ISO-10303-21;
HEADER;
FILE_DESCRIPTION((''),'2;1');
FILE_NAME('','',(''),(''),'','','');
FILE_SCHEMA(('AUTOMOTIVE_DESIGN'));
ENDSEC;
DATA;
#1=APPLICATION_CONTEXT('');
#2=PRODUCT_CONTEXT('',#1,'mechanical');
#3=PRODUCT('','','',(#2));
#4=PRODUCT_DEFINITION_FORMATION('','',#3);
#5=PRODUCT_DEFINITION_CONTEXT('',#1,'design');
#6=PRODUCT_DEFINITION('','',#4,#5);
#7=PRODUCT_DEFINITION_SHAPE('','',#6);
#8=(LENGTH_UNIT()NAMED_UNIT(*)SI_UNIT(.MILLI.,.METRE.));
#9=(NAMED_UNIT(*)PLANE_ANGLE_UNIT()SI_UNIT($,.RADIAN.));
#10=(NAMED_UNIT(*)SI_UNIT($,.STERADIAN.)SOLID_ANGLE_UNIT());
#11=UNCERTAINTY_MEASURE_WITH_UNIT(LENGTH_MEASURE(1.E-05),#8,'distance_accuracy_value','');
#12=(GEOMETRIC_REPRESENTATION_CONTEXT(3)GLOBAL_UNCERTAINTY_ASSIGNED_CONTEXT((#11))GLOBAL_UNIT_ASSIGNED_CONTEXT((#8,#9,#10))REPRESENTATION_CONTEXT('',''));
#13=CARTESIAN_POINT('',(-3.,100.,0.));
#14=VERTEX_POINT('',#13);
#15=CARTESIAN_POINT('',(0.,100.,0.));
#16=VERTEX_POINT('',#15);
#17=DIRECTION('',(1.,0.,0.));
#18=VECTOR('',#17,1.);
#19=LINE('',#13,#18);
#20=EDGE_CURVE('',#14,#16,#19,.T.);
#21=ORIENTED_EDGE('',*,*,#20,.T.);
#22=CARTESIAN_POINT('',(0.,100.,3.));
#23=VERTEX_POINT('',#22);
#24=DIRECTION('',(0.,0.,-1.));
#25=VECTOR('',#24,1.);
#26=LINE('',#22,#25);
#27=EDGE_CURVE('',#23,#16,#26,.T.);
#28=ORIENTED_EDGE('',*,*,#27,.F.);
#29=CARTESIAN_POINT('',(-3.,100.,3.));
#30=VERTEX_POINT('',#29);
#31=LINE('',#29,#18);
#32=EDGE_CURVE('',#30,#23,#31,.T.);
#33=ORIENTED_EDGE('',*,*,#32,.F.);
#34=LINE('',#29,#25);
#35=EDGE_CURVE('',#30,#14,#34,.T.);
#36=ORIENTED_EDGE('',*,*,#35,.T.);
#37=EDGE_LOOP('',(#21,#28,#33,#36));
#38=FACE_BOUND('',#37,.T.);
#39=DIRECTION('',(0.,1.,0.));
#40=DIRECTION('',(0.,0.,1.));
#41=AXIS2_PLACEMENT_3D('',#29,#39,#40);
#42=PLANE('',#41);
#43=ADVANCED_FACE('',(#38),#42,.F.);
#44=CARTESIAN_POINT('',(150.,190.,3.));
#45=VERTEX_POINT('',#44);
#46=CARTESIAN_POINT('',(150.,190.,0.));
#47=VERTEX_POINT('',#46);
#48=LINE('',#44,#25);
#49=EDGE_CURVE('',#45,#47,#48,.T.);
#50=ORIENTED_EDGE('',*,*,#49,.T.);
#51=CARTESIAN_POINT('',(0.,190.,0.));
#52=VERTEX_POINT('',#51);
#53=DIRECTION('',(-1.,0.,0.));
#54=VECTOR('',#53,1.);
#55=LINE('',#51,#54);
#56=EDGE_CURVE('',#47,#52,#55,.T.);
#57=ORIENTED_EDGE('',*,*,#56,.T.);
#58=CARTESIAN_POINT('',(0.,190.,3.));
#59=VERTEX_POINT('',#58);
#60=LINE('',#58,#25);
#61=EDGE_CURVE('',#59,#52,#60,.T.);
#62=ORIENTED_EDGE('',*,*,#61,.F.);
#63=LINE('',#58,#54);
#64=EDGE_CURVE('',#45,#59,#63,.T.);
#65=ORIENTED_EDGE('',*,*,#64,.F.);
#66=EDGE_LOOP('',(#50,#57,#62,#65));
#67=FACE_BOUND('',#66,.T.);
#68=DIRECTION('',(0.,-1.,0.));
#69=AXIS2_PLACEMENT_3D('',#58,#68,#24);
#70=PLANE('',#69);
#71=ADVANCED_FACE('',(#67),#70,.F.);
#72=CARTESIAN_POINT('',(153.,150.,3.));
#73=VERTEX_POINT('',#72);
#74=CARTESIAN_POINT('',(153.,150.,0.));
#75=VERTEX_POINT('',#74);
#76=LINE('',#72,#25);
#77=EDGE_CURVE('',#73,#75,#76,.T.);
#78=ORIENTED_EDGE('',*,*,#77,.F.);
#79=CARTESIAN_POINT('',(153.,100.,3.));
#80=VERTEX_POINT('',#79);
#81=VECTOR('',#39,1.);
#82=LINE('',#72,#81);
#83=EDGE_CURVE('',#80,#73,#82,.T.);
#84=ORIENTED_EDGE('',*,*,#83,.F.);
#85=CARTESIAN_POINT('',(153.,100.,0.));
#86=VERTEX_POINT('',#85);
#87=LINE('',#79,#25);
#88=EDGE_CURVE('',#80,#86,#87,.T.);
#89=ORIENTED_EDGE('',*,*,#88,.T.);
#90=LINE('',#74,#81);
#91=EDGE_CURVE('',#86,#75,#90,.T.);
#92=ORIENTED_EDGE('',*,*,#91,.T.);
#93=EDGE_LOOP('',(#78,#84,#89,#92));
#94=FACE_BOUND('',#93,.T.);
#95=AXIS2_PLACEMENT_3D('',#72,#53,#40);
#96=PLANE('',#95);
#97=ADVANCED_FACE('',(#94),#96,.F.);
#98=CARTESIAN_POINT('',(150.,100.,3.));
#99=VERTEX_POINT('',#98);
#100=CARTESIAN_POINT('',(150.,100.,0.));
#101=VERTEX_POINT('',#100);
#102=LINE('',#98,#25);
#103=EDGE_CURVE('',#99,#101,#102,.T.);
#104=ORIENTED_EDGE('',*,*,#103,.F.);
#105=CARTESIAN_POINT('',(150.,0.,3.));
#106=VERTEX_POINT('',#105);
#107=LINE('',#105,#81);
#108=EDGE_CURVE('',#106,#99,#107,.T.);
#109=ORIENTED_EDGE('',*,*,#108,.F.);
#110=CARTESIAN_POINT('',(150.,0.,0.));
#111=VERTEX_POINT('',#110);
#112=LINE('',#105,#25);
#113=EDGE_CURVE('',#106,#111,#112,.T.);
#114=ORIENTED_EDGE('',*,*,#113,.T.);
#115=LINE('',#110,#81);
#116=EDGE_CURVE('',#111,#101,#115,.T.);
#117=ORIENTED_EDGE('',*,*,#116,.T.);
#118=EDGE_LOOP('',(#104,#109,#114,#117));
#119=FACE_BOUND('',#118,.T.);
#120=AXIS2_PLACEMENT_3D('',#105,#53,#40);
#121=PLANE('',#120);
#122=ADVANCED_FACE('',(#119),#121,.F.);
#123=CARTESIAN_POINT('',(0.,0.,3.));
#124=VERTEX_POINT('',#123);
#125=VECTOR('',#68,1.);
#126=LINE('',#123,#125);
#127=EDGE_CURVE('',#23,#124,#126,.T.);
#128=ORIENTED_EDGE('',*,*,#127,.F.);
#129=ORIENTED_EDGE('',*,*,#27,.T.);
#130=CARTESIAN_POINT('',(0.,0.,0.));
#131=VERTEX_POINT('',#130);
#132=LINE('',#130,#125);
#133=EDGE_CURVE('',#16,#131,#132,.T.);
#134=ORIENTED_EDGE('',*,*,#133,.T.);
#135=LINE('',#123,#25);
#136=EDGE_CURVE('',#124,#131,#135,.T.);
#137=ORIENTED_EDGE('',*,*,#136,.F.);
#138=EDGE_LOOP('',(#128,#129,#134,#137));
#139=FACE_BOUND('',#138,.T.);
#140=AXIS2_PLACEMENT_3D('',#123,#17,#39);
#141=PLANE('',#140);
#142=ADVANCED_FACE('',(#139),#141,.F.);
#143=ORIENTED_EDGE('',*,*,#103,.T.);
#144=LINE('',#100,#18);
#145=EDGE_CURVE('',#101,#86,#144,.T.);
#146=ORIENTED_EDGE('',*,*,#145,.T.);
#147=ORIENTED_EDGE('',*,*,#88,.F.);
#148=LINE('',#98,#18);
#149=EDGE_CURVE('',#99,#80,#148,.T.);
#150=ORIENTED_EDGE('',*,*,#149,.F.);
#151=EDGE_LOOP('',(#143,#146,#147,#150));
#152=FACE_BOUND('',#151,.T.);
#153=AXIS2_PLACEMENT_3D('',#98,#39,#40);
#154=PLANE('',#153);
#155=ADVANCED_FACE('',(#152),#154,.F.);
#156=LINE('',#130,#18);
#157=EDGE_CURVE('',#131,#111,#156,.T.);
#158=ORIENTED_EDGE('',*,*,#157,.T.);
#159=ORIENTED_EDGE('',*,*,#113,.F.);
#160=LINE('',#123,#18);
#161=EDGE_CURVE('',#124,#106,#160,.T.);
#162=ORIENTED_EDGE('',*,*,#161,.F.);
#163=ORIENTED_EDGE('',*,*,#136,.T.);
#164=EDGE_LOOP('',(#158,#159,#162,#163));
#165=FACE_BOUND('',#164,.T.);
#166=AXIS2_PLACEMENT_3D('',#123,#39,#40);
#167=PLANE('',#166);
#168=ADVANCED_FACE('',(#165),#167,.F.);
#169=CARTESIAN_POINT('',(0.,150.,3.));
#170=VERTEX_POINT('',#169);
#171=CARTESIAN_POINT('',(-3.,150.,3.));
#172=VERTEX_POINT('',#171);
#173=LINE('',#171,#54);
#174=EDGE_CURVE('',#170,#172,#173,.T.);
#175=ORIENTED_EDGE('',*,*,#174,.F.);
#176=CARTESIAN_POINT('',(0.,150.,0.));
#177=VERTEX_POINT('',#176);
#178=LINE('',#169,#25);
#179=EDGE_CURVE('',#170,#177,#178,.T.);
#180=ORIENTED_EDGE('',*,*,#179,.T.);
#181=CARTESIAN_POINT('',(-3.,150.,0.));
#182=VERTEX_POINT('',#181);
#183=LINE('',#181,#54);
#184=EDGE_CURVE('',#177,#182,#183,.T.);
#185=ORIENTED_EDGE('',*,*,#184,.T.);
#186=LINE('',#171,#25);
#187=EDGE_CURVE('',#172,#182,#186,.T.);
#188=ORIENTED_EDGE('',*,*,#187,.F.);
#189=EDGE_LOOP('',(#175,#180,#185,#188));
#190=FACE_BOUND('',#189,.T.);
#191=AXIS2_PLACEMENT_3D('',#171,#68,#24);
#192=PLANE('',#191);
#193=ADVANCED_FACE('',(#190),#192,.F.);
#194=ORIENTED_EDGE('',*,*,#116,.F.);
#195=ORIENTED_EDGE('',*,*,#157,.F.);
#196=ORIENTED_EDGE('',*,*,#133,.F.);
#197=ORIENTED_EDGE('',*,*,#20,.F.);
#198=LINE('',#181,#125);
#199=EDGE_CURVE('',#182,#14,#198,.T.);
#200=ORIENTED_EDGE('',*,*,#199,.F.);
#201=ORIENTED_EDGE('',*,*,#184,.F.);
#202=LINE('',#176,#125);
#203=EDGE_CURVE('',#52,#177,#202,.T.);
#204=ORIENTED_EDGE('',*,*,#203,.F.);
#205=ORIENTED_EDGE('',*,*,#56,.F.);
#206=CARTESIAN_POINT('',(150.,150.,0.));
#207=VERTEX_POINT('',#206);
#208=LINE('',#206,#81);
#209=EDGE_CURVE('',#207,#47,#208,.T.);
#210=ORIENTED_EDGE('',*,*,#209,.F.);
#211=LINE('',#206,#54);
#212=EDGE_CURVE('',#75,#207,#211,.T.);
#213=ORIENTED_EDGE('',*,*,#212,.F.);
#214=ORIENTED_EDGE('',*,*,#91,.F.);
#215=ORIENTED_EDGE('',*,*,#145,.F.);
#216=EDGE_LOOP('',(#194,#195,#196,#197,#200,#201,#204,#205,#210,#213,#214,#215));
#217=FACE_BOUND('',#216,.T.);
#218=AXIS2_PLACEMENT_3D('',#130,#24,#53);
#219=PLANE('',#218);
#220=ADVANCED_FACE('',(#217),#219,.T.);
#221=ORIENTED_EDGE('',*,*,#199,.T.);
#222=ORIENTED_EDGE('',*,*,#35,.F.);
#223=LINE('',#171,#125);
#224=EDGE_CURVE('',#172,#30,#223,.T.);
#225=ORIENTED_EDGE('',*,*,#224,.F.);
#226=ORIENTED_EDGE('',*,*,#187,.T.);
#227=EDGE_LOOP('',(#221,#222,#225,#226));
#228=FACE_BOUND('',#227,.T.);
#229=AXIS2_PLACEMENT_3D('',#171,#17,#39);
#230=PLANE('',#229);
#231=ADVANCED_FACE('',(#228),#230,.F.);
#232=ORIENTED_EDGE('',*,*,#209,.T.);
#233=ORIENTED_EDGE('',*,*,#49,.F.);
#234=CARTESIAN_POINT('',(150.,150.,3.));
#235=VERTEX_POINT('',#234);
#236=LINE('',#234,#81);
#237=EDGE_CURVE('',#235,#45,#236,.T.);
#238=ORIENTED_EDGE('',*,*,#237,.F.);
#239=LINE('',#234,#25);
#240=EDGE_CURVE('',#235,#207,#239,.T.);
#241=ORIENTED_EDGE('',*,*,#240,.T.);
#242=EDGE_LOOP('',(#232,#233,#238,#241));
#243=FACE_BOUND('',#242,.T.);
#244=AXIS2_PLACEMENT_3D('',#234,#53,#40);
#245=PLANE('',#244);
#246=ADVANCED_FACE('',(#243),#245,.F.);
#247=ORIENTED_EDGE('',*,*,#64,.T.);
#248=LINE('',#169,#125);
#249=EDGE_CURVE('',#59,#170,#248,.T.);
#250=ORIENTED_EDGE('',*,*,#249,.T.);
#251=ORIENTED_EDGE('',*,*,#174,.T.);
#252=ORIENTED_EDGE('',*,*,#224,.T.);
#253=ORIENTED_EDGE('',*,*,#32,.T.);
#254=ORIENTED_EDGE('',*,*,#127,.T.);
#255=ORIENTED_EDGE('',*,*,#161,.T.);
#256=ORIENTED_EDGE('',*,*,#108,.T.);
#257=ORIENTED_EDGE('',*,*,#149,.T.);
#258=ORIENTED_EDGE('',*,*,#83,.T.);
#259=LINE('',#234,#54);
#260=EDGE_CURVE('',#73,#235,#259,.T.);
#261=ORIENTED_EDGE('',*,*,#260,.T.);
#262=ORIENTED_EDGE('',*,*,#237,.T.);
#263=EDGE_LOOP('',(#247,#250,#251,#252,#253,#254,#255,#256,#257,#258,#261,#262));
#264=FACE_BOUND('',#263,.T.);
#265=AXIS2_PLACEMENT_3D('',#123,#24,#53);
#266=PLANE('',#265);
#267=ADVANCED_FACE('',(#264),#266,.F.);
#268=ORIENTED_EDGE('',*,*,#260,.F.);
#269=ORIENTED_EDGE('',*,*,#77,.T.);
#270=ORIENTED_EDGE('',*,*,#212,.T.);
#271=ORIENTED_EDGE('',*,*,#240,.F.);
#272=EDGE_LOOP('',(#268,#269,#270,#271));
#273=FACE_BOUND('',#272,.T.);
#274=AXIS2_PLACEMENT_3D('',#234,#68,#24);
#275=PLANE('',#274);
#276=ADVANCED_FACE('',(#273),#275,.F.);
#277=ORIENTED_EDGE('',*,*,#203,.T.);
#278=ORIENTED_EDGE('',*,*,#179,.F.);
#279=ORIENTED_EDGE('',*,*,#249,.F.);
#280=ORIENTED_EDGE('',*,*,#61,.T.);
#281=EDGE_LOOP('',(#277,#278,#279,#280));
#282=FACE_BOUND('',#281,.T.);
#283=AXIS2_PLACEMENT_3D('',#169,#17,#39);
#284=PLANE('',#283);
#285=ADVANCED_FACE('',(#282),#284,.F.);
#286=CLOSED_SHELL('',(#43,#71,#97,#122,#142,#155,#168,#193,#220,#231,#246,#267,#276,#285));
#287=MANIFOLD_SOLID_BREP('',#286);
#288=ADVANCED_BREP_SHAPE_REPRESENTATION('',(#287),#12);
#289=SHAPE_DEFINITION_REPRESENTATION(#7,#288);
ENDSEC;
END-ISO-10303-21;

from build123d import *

# Parameters (mm, degrees)
SALIENTE_EXTRUIR1_DEPTH = 3


with BuildPart() as part:
    # Croquis1 → Saliente-Extruir1 (new body)
    with BuildSketch(Plane.XY):
        Polygon((0, 150), (0, 190), (150, 190), (150, 150), (153, 150), (153, 100), (150, 100), (150, 0), (0, 0), (0, 100), (-3, 100), (-3, 150), align=None)
    extrude(amount=SALIENTE_EXTRUIR1_DEPTH)


solid = part.part
